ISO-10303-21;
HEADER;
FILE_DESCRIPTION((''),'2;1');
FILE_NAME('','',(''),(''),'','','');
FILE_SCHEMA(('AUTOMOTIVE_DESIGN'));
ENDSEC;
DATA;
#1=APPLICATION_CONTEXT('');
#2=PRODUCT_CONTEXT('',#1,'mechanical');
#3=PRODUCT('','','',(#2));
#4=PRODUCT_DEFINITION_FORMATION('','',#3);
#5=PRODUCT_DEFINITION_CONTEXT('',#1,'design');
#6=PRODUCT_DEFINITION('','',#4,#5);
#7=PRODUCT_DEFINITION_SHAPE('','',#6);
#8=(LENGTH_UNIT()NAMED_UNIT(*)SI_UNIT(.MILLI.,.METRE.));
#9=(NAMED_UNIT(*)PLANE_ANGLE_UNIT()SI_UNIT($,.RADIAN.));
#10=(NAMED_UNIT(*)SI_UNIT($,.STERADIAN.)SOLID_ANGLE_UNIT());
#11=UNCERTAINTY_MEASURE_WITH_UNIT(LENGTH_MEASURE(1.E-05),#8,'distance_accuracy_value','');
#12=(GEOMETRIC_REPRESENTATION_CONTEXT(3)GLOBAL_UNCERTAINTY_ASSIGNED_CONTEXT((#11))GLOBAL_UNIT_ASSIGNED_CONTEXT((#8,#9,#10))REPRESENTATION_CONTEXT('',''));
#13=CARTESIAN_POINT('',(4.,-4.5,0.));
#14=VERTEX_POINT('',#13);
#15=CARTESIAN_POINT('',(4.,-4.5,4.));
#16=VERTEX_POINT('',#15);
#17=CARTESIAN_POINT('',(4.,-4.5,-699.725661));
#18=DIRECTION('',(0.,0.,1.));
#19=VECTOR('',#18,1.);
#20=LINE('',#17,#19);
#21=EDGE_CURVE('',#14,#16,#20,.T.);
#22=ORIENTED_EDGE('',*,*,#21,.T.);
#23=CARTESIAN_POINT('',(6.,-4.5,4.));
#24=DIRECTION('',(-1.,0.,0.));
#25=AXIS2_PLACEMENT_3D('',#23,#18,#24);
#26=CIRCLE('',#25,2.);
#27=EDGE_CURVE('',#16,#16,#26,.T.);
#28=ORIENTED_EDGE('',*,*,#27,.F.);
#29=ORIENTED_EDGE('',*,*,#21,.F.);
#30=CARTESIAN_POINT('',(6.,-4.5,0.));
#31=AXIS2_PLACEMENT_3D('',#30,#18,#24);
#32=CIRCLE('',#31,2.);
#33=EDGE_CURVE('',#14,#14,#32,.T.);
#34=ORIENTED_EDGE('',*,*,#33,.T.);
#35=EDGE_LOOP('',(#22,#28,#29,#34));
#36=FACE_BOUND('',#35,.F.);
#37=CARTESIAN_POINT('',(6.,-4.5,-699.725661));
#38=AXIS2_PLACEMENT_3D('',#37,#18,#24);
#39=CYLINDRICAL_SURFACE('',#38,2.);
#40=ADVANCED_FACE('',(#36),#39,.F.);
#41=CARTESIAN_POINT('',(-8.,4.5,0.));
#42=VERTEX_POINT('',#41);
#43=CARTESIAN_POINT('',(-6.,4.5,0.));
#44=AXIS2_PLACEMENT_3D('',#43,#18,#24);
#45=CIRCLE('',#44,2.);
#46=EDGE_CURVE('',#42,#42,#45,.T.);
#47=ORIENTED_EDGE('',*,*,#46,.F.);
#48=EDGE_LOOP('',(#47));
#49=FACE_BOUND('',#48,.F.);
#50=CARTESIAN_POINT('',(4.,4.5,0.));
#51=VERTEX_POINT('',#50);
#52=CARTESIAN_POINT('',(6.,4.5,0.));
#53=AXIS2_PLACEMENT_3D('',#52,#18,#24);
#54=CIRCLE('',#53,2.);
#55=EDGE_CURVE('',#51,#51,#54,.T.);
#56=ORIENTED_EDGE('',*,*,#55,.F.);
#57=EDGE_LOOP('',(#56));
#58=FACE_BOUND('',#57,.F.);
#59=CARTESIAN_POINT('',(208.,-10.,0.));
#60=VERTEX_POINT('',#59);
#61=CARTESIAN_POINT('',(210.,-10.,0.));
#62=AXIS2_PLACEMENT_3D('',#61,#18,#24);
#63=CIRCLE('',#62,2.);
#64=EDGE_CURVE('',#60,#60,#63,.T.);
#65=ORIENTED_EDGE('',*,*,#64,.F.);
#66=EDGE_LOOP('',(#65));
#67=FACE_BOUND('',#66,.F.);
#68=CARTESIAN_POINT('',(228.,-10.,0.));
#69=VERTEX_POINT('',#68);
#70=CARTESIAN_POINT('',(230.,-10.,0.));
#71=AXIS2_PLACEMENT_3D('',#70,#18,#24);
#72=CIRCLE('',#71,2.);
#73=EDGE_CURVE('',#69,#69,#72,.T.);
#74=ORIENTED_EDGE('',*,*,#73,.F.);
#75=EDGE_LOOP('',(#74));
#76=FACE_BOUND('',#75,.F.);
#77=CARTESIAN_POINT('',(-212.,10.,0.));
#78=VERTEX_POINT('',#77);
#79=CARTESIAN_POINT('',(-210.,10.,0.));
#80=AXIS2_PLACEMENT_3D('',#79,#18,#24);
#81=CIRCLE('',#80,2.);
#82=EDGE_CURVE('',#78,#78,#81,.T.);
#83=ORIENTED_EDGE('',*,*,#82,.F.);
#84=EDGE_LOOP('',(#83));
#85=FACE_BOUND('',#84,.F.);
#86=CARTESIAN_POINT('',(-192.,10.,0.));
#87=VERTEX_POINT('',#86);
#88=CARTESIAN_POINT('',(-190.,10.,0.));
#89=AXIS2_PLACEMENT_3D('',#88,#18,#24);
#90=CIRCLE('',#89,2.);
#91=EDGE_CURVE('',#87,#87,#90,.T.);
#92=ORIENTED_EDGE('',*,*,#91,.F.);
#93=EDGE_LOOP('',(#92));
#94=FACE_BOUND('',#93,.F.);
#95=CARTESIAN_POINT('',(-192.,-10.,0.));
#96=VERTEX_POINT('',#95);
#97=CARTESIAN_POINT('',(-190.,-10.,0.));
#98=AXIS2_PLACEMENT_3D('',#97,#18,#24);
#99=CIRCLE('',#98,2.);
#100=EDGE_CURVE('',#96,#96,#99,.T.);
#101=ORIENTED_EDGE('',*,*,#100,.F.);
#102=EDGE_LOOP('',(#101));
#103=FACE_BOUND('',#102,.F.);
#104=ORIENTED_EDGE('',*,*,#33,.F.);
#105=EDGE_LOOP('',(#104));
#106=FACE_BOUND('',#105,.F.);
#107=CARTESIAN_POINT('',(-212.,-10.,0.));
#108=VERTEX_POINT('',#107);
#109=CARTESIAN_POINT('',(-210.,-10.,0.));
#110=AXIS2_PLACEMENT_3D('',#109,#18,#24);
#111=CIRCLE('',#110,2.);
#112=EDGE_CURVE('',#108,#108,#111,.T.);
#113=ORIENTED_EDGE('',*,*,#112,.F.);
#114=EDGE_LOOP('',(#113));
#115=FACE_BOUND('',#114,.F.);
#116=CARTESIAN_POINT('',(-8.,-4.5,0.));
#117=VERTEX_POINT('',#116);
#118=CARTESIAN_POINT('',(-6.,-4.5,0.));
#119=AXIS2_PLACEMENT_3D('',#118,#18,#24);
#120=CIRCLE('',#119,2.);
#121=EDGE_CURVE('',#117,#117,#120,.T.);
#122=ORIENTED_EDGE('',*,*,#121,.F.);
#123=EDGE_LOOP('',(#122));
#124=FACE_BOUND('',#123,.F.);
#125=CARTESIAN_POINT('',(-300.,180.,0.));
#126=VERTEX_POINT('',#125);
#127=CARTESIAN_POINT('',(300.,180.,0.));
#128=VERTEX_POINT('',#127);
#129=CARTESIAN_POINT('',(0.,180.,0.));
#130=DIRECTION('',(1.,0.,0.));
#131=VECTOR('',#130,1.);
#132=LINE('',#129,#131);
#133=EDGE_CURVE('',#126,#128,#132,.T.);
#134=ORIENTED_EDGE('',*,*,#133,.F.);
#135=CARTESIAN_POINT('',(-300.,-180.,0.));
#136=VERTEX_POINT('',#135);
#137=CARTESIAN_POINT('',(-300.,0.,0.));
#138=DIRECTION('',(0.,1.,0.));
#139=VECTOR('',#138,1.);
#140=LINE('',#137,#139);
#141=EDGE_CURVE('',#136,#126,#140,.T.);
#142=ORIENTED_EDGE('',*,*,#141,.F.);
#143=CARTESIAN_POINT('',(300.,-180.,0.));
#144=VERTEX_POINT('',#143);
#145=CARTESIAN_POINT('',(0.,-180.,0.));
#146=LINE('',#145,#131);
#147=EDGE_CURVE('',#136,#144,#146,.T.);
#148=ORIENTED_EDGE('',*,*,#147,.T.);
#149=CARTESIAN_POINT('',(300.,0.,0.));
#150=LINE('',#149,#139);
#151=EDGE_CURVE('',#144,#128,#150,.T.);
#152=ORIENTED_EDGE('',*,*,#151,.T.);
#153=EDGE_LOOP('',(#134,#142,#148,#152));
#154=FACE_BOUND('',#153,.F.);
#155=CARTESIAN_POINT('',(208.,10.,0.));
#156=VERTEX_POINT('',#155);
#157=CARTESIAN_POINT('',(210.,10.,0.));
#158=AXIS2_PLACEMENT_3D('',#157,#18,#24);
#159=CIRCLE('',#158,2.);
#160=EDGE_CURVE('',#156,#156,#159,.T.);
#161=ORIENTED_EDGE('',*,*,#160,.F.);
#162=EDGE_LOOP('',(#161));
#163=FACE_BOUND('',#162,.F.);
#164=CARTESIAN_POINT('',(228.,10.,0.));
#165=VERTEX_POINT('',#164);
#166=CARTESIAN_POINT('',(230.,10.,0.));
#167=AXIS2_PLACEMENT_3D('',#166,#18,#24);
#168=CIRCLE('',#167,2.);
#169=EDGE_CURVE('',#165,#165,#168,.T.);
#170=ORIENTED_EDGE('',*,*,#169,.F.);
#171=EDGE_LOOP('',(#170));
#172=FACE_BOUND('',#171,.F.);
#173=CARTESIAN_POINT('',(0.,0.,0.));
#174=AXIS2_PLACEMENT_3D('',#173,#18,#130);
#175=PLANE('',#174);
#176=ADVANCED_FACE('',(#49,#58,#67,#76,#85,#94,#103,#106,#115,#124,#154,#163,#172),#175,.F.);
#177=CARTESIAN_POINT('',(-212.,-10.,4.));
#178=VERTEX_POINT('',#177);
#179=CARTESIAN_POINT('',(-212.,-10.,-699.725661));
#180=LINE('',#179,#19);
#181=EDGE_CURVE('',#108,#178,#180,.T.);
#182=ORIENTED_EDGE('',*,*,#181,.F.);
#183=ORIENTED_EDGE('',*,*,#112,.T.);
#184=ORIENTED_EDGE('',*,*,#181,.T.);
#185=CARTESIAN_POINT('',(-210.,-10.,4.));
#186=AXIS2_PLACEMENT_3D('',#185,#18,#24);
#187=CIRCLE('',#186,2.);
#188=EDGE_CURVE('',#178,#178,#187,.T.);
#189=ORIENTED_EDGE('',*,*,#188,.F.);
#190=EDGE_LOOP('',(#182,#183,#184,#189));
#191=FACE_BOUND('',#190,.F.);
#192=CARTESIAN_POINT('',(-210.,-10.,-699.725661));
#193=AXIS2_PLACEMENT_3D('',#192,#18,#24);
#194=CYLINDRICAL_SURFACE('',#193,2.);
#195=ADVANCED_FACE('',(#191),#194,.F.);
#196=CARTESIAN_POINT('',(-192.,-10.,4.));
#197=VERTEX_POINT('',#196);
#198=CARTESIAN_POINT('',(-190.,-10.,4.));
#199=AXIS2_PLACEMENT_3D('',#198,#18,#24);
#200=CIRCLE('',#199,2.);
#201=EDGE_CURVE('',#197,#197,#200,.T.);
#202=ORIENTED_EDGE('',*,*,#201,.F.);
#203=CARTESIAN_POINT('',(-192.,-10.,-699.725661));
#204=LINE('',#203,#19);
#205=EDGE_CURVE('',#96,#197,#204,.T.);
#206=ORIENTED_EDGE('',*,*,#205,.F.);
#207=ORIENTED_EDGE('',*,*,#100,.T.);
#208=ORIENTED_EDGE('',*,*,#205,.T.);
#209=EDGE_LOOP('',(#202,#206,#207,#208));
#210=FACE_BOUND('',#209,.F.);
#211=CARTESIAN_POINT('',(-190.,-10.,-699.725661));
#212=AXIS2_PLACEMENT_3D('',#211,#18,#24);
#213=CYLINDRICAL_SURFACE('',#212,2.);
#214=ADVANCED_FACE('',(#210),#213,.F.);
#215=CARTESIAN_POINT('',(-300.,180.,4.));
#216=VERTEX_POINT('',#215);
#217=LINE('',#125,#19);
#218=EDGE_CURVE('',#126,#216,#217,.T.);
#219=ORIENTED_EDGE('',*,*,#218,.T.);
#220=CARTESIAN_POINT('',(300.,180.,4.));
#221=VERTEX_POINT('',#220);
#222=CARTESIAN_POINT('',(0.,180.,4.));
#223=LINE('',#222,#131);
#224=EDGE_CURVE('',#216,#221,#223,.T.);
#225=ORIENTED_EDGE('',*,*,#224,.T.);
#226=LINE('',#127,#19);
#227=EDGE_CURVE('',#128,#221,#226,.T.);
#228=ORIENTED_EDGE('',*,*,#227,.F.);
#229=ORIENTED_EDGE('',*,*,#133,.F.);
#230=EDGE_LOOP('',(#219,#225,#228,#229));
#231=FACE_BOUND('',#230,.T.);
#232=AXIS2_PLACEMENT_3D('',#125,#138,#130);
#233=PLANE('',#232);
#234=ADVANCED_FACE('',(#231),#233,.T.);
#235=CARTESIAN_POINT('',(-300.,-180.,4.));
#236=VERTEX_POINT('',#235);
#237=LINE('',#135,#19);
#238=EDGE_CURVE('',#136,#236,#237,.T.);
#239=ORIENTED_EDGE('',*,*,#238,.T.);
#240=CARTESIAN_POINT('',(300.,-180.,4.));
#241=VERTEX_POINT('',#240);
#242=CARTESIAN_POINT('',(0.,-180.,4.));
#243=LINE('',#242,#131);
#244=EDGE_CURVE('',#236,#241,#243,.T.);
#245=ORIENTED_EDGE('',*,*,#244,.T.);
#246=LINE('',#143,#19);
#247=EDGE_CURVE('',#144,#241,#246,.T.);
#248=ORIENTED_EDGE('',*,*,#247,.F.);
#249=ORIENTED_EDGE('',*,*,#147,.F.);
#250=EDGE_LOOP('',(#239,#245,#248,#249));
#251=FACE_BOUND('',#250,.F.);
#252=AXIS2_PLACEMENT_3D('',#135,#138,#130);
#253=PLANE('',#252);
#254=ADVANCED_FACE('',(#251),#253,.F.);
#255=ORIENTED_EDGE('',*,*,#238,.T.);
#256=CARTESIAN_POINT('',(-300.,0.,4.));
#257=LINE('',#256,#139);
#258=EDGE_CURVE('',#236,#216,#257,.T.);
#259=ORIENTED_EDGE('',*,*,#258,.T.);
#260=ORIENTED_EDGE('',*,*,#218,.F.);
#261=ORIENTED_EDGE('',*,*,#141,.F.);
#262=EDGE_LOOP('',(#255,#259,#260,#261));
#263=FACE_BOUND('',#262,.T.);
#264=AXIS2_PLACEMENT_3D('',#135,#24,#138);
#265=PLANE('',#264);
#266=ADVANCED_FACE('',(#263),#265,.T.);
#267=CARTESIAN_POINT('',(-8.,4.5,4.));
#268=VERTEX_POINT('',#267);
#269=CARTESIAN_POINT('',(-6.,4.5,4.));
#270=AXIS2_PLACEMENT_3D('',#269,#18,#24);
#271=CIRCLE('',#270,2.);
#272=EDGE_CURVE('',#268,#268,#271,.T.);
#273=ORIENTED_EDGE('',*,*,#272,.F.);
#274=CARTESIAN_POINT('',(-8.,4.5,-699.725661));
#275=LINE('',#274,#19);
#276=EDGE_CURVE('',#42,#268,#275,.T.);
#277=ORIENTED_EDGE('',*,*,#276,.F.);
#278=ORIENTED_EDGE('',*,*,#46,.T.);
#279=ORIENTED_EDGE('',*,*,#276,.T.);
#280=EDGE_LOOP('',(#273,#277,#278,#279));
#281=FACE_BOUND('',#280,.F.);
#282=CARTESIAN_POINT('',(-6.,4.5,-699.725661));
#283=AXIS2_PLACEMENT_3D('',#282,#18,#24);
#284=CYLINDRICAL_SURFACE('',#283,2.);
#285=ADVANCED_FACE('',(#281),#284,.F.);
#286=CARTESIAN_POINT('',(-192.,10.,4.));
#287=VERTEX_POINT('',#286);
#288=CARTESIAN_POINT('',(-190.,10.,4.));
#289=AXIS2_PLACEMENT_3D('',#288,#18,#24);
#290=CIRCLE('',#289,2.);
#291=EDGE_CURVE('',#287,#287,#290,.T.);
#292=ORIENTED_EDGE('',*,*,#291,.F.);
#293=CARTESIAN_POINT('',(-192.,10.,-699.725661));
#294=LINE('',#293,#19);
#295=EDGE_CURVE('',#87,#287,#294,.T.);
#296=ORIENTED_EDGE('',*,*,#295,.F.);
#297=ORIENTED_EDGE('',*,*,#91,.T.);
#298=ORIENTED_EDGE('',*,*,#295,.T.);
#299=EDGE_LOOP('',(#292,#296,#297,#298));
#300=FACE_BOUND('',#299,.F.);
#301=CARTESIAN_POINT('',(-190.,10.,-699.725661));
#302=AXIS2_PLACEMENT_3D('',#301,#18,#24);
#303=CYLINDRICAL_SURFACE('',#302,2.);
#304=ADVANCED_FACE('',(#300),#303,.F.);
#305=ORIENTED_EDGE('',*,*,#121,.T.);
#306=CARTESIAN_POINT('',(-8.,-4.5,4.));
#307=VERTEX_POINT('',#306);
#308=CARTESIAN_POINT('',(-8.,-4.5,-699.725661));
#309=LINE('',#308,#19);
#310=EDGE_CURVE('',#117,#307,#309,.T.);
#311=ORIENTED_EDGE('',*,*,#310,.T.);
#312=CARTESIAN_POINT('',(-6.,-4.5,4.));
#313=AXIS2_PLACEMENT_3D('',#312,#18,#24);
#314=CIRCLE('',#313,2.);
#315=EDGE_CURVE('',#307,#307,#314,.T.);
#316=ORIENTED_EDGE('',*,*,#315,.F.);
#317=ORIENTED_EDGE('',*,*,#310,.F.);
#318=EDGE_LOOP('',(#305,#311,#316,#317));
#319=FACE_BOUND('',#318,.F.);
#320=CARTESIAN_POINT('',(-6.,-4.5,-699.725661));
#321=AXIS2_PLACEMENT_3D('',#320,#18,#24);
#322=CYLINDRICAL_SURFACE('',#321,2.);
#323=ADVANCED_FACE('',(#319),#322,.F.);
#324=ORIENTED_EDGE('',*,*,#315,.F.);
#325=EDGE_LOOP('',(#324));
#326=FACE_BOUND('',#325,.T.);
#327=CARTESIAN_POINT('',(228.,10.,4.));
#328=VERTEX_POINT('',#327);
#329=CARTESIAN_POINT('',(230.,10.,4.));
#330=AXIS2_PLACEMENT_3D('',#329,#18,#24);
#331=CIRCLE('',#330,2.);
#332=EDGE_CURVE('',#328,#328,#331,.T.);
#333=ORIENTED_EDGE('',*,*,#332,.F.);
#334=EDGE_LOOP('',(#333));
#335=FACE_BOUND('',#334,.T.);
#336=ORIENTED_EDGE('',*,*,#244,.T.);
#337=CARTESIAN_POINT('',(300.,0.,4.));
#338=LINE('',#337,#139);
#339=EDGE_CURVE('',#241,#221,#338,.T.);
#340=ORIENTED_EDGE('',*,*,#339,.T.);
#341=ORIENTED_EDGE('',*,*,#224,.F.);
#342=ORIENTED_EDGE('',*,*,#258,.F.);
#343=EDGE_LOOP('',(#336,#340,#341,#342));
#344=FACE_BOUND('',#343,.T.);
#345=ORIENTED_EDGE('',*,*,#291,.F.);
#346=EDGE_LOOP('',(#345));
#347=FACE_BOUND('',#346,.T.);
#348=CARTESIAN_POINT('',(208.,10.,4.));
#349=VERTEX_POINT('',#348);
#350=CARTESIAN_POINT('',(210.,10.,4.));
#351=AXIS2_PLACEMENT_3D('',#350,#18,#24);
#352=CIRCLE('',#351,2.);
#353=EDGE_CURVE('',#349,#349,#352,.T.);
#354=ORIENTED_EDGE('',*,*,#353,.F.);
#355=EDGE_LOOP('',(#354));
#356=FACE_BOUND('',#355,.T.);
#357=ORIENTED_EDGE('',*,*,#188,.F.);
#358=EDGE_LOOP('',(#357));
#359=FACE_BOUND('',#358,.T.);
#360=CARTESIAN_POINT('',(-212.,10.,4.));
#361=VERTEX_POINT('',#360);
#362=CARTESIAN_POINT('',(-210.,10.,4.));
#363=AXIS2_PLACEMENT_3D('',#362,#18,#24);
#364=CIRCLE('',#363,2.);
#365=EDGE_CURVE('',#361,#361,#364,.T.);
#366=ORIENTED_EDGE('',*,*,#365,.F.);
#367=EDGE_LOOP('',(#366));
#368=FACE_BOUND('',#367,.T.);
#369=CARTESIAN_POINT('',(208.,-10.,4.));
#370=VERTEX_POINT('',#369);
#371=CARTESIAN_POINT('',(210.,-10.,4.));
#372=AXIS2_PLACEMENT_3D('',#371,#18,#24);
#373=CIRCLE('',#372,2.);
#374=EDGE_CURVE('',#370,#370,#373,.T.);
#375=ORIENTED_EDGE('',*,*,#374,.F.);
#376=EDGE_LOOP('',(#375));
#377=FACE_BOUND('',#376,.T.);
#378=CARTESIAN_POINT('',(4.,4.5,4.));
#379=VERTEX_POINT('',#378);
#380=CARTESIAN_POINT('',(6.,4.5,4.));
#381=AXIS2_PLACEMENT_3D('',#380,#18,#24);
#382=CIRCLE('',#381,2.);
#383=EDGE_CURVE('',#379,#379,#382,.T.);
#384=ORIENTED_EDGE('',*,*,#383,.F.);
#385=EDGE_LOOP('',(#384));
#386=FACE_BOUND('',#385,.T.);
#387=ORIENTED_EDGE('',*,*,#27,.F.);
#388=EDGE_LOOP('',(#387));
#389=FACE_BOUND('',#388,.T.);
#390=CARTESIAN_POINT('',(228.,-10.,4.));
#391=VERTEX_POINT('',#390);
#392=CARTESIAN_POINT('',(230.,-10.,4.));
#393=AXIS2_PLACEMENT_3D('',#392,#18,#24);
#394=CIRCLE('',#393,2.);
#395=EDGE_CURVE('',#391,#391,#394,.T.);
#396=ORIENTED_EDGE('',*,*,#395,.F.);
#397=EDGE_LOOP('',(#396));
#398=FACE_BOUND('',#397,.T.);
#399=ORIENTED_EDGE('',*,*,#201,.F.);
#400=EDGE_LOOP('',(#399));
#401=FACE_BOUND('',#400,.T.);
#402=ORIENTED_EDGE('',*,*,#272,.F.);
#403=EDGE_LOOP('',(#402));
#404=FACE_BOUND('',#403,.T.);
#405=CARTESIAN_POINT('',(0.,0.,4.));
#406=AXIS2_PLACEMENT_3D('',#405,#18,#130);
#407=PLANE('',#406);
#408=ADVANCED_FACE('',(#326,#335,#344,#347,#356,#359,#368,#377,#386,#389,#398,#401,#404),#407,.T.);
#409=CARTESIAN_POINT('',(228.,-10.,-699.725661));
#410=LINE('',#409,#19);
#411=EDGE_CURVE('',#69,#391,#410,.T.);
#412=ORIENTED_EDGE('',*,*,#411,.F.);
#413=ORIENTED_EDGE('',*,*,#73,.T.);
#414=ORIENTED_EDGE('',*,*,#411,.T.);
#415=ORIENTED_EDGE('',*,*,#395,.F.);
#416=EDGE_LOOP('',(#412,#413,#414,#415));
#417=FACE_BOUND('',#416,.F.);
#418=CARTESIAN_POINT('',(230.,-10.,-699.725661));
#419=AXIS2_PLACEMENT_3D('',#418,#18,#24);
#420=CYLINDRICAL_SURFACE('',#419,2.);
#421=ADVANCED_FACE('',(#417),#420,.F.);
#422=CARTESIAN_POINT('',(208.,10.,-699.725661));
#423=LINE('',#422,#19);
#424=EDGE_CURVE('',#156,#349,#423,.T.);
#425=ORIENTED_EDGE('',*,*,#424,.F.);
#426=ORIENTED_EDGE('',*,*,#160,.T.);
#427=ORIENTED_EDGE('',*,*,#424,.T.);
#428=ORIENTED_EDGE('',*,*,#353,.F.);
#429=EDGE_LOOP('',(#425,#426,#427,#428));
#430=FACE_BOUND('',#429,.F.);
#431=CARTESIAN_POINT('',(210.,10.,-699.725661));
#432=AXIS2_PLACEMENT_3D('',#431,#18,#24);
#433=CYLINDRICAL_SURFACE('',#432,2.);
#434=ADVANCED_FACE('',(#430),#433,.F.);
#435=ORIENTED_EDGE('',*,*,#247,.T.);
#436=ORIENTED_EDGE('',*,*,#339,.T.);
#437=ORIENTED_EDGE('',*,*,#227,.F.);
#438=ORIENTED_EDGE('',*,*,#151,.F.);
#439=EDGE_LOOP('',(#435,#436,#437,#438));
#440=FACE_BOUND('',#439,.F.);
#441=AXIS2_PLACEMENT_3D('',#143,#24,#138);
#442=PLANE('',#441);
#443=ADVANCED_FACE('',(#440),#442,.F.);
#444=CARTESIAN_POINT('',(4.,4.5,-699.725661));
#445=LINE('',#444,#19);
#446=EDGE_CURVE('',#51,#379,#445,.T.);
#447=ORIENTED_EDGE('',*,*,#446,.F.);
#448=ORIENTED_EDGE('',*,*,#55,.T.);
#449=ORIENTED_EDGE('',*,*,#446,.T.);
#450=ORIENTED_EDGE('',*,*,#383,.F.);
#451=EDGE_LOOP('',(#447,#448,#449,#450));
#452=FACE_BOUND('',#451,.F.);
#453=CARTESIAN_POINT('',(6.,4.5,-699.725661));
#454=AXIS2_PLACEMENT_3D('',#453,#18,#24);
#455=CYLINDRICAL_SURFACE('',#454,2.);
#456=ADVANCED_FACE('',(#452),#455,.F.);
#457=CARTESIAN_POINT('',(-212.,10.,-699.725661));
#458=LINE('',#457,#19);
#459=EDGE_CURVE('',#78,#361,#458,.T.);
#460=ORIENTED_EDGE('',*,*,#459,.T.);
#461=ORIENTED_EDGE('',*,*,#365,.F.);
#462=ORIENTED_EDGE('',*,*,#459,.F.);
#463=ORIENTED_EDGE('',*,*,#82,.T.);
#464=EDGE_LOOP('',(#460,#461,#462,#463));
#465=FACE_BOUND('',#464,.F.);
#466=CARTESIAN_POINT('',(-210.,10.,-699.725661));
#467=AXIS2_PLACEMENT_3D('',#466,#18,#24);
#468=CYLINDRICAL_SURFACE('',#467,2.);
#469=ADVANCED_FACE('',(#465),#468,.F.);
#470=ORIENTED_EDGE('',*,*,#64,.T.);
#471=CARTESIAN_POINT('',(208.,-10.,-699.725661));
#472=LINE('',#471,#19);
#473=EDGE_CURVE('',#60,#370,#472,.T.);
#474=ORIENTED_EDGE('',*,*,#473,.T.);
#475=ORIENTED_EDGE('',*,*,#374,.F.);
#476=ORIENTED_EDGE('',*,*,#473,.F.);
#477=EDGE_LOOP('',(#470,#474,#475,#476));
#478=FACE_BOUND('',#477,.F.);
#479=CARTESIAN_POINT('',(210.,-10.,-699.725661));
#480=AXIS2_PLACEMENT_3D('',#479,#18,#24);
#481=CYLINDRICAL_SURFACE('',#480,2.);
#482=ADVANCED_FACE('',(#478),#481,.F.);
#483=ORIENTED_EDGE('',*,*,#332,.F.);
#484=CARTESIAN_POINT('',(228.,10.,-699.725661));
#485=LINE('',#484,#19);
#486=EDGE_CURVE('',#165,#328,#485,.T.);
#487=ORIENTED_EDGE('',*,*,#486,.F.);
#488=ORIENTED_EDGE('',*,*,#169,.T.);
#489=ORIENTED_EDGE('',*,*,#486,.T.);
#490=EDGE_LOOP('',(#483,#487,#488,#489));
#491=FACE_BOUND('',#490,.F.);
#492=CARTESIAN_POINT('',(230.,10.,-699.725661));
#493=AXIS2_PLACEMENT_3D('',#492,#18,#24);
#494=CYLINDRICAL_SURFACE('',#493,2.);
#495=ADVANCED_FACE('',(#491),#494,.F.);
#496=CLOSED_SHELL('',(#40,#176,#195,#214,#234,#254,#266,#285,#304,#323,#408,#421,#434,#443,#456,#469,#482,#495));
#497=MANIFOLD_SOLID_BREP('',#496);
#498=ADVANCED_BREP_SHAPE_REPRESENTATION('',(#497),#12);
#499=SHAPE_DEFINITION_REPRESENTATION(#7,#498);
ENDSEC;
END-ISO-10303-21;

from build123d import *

# Parameters (mm, degrees)
F0_W     = 600
F0_H     = 360
F1_DEPTH = 4
F2_D     = 4


with BuildPart() as f1:
    # F0 (on Top) → F1 (new body)
    with BuildSketch(Plane.XY):
        Rectangle(F0_W, F0_H)
    extrude(amount=F1_DEPTH)

    # F2 (through all)
    with Locations(Plane(origin=(0, 0, 0), x_dir=(1, 0, 0), z_dir=(0, 0, -1))):
        with Locations((-210, 10), (-190, 10), (-210, -10), (-190, -10), (230, 10), (210, 10), (210, -10), (230, -10), (-6, 4.5), (-6, -4.5), (6, -4.5), (6, 4.5)):
            Hole(F2_D / 2)


solid = f1.part
